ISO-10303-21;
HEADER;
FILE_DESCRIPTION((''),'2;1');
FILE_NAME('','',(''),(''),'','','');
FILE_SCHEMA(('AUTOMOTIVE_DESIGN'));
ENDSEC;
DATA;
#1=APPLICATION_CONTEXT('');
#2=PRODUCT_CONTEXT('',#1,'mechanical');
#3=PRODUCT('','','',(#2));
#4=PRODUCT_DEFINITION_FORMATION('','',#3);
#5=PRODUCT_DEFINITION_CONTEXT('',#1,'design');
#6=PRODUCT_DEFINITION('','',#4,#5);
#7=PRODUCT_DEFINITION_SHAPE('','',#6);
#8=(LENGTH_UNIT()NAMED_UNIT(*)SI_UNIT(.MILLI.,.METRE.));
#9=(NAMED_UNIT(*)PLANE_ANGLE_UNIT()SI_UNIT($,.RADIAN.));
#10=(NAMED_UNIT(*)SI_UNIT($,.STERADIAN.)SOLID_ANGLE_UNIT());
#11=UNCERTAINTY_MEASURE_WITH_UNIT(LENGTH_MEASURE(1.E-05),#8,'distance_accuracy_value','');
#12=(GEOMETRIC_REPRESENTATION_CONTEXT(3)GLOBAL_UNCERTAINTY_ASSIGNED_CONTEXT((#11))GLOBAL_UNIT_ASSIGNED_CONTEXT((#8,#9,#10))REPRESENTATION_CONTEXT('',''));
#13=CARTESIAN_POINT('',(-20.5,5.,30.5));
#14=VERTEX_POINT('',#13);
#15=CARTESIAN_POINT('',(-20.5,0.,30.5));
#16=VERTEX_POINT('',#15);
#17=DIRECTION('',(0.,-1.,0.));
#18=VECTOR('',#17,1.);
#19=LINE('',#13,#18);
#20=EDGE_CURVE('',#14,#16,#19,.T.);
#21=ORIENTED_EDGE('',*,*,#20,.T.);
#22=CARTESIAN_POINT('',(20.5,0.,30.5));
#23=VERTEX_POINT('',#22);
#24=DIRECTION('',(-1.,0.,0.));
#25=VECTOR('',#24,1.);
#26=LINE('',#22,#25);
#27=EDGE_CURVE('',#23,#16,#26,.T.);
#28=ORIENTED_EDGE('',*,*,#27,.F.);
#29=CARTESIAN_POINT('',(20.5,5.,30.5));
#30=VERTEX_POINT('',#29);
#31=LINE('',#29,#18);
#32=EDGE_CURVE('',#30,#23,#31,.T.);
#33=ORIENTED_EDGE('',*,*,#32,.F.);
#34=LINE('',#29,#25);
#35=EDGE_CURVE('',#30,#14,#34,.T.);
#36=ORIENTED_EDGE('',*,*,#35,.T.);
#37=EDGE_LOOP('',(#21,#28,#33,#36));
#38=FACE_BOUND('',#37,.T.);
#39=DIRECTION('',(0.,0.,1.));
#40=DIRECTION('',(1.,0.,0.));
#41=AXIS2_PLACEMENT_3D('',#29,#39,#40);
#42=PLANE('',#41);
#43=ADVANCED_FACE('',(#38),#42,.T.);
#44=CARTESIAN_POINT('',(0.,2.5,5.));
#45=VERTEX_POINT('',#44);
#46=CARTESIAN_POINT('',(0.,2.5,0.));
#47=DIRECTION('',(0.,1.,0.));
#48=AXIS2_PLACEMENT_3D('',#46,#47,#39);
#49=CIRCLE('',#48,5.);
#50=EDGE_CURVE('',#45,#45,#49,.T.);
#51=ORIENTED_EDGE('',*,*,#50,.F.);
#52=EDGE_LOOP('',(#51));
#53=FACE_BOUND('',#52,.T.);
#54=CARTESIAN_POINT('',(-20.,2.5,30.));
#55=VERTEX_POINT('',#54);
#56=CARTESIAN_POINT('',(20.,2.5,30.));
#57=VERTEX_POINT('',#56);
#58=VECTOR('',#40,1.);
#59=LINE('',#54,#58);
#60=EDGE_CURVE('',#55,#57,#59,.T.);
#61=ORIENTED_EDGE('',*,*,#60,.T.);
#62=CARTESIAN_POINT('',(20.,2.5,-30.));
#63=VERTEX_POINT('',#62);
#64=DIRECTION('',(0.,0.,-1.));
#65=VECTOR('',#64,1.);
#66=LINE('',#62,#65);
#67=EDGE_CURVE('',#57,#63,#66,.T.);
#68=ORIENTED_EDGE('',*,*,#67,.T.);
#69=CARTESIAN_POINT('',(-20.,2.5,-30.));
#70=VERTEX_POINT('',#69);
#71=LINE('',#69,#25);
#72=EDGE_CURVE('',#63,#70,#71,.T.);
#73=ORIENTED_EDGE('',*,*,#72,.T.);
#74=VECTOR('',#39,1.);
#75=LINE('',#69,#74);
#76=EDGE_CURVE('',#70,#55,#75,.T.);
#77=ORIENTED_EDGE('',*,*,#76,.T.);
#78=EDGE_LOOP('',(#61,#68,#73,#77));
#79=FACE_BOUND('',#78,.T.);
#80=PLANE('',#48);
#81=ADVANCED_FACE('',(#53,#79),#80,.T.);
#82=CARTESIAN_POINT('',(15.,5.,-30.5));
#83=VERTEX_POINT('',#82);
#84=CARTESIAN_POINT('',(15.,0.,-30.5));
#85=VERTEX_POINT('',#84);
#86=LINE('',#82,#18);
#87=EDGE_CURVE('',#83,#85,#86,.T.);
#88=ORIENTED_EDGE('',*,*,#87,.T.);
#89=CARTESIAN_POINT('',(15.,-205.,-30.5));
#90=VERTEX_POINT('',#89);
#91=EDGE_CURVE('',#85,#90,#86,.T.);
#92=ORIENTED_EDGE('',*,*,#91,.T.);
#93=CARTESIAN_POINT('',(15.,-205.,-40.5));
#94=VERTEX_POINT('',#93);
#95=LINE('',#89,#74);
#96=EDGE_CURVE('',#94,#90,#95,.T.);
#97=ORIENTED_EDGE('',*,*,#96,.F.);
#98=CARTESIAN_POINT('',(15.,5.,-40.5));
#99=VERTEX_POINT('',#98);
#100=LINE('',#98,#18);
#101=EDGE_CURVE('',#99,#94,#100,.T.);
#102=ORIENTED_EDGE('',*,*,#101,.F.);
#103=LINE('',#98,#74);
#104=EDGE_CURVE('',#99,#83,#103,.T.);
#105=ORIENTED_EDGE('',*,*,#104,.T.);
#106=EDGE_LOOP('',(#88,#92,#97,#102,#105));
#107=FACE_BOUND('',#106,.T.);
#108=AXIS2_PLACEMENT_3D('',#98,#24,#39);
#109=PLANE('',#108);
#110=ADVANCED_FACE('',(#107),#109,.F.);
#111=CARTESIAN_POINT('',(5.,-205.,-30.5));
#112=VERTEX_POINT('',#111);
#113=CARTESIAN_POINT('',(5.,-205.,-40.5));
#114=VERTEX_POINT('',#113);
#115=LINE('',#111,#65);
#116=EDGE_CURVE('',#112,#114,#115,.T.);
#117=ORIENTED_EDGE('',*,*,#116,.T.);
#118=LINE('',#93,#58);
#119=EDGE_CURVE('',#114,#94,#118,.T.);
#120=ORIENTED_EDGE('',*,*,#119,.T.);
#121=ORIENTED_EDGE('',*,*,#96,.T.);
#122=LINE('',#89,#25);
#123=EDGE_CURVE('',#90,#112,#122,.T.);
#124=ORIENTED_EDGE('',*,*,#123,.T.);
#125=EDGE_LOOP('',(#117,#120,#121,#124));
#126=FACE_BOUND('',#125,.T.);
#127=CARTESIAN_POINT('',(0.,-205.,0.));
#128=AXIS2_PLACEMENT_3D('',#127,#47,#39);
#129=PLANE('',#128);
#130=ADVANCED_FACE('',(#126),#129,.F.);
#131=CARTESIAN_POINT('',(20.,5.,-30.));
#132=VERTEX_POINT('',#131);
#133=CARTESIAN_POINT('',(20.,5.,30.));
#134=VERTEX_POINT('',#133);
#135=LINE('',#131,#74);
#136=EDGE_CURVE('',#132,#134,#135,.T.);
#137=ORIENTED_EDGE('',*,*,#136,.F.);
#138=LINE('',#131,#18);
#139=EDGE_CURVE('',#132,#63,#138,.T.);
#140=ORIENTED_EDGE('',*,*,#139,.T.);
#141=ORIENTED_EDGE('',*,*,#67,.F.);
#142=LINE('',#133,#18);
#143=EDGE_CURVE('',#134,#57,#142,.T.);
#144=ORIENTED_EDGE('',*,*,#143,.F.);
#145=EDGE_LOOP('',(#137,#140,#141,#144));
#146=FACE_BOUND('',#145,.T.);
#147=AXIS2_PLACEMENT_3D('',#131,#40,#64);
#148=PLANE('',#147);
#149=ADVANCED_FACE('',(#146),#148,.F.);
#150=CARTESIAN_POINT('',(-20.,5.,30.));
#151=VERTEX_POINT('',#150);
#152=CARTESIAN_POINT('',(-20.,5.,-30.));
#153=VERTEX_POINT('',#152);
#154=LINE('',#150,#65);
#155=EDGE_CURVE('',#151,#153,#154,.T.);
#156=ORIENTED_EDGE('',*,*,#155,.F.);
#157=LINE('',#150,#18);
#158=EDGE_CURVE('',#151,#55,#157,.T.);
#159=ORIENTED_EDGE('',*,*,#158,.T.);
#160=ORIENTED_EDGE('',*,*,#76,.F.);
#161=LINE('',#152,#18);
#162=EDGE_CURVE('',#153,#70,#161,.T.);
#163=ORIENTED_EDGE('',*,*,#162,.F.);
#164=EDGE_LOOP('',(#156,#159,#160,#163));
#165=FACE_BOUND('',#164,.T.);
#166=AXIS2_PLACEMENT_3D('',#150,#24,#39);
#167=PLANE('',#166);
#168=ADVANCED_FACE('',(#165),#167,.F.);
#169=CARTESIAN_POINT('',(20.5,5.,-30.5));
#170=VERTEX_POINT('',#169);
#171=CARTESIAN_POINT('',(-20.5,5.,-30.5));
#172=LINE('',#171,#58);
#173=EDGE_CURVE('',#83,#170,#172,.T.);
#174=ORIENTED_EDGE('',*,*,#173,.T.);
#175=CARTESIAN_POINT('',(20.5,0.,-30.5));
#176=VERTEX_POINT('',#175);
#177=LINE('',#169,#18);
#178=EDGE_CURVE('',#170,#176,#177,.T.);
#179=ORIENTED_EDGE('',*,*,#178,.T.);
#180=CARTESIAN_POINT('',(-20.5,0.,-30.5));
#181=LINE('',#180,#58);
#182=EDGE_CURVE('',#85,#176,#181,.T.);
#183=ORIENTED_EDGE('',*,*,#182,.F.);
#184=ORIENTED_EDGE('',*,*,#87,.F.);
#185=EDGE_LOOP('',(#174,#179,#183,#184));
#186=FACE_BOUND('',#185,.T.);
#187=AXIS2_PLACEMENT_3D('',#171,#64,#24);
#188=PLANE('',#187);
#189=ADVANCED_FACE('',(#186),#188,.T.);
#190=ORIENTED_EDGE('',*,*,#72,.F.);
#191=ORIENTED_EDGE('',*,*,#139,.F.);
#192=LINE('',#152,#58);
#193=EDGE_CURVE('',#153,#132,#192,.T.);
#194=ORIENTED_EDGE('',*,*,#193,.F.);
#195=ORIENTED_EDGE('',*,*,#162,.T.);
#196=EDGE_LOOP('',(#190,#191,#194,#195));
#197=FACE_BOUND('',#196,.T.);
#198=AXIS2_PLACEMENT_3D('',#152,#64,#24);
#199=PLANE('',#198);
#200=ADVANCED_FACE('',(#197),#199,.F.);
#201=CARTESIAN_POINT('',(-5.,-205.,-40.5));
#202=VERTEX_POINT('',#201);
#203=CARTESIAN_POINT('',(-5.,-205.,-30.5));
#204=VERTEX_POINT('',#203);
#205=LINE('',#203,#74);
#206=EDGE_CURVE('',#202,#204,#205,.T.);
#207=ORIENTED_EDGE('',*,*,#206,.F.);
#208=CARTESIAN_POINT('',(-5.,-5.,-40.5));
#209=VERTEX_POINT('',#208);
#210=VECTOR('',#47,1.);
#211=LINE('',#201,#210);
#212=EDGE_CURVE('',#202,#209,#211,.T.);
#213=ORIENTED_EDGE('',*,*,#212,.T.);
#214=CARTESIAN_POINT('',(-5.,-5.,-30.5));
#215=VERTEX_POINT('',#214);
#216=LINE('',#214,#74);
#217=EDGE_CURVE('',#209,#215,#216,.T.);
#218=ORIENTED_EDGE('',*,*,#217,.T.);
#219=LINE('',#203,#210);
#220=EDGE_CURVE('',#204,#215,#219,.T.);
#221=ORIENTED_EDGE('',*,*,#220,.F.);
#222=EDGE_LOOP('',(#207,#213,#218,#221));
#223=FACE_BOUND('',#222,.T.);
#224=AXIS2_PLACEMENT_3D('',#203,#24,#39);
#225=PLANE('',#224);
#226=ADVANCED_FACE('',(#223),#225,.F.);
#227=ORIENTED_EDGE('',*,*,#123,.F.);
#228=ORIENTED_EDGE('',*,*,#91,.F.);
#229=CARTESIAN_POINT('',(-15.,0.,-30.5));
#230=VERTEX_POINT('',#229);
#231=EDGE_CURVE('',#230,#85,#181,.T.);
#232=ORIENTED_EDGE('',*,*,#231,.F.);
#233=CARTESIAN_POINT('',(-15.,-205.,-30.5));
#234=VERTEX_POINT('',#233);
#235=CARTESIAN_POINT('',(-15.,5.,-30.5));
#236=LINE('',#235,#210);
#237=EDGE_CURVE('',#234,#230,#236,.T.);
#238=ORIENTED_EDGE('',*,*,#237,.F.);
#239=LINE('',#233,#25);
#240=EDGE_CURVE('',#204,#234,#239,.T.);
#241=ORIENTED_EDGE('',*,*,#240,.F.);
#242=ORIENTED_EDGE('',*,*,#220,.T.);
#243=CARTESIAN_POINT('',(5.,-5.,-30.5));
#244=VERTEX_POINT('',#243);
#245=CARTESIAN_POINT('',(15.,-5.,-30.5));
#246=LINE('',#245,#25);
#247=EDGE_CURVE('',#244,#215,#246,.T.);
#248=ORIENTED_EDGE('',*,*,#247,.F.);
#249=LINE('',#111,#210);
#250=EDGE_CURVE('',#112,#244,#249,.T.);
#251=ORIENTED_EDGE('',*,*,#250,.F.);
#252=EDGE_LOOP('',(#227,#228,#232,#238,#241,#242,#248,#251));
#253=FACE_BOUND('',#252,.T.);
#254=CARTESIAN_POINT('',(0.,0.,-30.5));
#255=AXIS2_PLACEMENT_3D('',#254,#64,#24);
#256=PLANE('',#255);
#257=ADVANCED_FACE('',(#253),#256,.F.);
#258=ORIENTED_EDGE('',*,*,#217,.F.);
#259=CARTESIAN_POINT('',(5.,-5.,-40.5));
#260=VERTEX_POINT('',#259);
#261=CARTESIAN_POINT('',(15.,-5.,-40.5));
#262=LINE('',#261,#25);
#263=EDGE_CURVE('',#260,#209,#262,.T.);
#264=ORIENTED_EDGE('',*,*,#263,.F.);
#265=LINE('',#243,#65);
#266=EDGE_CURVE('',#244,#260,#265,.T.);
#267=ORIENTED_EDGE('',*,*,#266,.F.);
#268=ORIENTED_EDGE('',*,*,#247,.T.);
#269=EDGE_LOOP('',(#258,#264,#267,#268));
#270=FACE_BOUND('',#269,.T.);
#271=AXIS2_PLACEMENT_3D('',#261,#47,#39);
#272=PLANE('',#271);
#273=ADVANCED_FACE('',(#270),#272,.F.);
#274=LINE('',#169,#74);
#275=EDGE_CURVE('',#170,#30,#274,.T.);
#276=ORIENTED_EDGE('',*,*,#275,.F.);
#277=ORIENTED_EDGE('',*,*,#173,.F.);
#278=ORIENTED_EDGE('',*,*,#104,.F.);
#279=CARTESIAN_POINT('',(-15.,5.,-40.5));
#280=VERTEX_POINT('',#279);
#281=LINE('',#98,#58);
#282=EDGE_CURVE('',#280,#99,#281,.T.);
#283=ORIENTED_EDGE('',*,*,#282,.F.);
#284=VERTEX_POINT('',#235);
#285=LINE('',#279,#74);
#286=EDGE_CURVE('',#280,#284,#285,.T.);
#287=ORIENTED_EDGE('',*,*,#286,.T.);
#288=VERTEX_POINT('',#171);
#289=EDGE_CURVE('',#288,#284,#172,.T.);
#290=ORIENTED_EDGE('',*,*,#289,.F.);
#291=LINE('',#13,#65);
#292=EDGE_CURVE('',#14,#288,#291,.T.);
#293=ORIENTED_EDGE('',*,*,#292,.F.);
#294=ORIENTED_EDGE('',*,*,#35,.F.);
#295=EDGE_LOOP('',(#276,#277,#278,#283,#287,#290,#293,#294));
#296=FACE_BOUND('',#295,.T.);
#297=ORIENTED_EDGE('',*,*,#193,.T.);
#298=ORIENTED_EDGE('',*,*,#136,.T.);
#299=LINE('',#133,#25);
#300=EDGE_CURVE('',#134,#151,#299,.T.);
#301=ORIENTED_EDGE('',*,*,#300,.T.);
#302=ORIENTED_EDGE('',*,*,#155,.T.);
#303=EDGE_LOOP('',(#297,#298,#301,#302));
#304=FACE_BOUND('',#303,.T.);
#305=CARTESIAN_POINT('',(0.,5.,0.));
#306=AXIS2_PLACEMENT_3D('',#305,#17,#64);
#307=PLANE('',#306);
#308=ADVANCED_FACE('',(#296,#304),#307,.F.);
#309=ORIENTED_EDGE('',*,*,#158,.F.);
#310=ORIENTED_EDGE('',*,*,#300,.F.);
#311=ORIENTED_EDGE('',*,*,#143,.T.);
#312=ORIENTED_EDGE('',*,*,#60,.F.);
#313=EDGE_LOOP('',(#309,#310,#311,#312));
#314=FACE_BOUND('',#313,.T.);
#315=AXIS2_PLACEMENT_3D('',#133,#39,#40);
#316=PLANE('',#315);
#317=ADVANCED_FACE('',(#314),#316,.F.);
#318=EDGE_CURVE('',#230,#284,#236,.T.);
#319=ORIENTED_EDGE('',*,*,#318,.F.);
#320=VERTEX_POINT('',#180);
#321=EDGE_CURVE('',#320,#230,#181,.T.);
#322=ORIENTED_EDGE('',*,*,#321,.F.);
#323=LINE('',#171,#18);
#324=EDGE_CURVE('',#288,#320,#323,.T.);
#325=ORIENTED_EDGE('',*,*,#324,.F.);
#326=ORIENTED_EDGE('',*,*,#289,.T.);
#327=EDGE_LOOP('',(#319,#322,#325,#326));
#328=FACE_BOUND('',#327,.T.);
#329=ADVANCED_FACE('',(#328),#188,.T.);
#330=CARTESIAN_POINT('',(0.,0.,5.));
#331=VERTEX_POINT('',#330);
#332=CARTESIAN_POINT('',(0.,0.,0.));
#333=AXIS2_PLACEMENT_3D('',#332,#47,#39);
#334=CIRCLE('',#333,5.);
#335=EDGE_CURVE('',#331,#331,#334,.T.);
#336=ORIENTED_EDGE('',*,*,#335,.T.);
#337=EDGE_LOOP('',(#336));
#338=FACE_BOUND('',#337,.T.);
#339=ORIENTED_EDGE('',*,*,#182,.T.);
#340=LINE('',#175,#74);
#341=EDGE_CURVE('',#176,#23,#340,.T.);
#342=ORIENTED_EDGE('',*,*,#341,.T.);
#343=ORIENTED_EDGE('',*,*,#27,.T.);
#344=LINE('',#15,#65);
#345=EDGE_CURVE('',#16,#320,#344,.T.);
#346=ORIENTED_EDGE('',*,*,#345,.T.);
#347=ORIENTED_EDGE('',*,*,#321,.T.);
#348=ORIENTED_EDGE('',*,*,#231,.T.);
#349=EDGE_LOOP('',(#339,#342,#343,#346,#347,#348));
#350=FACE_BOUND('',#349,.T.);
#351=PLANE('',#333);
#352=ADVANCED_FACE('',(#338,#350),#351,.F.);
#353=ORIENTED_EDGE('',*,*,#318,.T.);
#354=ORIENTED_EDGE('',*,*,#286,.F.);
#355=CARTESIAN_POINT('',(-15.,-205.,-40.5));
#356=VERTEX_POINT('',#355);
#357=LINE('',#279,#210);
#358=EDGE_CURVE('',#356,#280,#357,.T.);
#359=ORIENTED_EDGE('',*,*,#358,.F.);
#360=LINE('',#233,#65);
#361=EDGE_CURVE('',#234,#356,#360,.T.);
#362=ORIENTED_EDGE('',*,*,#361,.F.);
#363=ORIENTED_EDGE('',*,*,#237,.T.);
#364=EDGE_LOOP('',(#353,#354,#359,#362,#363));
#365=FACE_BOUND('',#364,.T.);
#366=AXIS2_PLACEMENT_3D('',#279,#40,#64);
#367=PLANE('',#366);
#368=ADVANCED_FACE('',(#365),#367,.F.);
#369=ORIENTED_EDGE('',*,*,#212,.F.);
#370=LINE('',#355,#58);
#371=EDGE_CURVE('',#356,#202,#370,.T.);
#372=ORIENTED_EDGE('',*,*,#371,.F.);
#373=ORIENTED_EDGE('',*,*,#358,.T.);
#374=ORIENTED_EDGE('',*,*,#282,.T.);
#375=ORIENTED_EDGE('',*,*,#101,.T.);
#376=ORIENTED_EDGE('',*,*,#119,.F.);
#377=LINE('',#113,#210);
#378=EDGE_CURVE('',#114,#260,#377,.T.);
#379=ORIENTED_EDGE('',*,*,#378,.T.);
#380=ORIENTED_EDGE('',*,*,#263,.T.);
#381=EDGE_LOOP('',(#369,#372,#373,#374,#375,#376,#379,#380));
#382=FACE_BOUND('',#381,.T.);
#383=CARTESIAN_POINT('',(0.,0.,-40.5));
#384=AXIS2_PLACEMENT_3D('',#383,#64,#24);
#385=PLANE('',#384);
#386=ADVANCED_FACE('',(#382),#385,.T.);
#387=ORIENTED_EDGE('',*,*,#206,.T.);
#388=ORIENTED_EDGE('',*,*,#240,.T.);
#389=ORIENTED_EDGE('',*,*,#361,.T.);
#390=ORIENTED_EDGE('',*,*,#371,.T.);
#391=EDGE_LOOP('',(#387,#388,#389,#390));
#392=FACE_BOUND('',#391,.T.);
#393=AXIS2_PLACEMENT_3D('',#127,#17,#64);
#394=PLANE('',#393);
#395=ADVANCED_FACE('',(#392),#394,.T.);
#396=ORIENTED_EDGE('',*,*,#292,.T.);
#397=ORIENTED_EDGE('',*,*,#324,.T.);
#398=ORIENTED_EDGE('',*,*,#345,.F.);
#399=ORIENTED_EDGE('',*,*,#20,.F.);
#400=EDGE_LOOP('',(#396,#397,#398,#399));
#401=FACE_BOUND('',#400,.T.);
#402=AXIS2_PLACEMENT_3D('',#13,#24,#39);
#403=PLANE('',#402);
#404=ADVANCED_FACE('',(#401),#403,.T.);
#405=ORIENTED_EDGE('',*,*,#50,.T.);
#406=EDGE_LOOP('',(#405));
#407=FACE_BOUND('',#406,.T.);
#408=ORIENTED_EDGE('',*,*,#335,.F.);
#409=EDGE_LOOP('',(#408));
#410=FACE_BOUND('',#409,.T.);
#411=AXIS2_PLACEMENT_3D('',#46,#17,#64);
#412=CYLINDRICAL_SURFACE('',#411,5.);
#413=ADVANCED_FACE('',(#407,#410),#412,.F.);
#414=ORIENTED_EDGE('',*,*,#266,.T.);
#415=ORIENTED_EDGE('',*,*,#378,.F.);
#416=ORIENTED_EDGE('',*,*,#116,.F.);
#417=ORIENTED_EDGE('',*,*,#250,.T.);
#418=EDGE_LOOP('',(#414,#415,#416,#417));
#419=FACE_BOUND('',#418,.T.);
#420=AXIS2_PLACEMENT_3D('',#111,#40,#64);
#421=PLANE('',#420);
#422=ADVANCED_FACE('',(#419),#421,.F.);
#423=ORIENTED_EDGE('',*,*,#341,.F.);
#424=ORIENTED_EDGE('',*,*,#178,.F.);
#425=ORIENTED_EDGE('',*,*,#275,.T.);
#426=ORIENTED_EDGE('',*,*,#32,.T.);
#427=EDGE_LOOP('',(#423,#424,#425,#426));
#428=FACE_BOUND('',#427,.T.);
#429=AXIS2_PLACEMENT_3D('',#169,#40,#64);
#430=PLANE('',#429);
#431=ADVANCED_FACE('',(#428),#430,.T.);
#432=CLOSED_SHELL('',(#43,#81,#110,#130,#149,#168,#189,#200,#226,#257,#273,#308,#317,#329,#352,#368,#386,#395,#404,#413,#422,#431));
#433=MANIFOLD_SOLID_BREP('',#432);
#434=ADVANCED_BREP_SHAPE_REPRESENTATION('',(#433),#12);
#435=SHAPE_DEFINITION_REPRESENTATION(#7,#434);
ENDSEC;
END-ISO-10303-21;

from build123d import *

# Parameters (mm, degrees)
SKETCH1_W           = 40
SKETCH1_H           = 60
SKETCH1_R           = 5
BOSS_EXTRUDE1_DEPTH = 2.5
SKETCH2_W           = 41
SKETCH2_H           = 61
SKETCH2_W_2         = 40
SKETCH2_H_2         = 60
BOSS_EXTRUDE2_DEPTH = 5
SKETCH3_W           = 30
SKETCH3_H           = 10
BOSS_EXTRUDE3_DEPTH = 10
SKETCH4_W           = 10
SKETCH4_H           = 10
BOSS_EXTRUDE4_DEPTH = 200


with BuildPart() as part:
    # Sketch1 → Boss-Extrude1 (new body)
    with BuildSketch(Plane(origin=(0, 0, 0), x_dir=(1, 0, 0), z_dir=(0, 1, 0))):
        Rectangle(SKETCH1_W, SKETCH1_H)
        with Locations(Location((0, 0, 0), (0, 0, 270))):
            Circle(SKETCH1_R, mode=Mode.SUBTRACT)
    extrude(amount=BOSS_EXTRUDE1_DEPTH)

    # Sketch2 → Boss-Extrude2 (add)
    with BuildSketch(Plane.XZ):
        Rectangle(SKETCH2_W, SKETCH2_H)
        Rectangle(SKETCH2_W_2, SKETCH2_H_2, mode=Mode.SUBTRACT)
    extrude(amount=-BOSS_EXTRUDE2_DEPTH)

    # Sketch3 → Boss-Extrude3 (add)
    with BuildSketch(Plane(origin=(0, 0, -30.5), x_dir=(-1, 0, 0), z_dir=(0, 0, -1))):
        Rectangle(SKETCH3_W, SKETCH3_H)
    extrude(amount=BOSS_EXTRUDE3_DEPTH)

    # Sketch4 → Boss-Extrude4 (add)
    with BuildSketch(Plane.XZ.offset(5)):
        with Locations((-10, -35.5)):
            Rectangle(SKETCH4_W, SKETCH4_H)
        with Locations((10, -35.5)):
            Rectangle(SKETCH4_W, SKETCH4_H)
    extrude(amount=BOSS_EXTRUDE4_DEPTH)


solid = part.part
